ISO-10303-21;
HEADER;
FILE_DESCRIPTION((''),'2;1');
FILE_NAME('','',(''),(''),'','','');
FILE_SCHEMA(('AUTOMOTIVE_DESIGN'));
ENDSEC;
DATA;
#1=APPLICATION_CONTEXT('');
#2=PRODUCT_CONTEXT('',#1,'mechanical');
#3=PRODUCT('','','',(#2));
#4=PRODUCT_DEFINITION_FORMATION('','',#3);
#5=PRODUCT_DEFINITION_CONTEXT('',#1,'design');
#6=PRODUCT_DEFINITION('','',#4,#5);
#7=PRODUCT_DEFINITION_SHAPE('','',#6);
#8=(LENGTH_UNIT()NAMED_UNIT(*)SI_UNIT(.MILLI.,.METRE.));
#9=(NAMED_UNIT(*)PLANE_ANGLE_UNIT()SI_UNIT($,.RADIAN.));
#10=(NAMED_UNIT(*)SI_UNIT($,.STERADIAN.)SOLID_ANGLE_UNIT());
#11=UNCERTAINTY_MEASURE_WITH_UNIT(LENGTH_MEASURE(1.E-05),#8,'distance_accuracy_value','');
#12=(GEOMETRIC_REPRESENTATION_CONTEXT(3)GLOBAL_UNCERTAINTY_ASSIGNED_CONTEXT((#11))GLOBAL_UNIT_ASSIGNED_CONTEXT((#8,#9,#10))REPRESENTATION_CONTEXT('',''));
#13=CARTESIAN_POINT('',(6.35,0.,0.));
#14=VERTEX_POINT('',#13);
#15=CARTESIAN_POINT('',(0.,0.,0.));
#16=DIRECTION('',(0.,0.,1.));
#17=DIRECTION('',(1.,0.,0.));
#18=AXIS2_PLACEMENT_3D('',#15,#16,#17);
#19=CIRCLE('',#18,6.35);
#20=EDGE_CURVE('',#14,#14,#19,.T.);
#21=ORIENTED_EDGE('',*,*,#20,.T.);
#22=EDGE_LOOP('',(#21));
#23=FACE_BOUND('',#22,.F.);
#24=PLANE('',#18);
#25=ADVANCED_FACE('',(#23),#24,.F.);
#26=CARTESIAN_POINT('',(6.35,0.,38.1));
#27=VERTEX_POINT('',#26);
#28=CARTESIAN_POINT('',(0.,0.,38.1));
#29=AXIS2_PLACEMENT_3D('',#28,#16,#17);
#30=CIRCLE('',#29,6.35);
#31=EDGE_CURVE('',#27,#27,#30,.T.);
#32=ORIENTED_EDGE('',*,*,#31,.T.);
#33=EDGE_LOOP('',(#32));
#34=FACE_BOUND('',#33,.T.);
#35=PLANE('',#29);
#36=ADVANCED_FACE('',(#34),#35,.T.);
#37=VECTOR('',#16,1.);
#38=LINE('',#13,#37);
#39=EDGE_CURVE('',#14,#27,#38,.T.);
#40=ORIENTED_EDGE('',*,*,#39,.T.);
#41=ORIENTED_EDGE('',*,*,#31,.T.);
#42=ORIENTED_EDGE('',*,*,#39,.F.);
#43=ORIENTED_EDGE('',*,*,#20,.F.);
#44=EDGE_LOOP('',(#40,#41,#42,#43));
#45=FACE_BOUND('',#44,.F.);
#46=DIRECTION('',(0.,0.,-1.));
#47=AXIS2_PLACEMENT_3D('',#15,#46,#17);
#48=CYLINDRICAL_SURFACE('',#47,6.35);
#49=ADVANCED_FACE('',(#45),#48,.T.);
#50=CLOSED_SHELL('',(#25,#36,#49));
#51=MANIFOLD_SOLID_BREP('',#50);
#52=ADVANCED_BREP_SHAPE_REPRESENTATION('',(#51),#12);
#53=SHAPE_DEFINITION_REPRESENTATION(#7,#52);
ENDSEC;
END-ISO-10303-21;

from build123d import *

# Parameters (mm, degrees)
SKETCH_R  = 6.35
PAD_DEPTH = 38.1


with BuildPart() as part:
    # Sketch → Pad (new body)
    with BuildSketch(Plane.XY):
        Circle(SKETCH_R)
    extrude(amount=PAD_DEPTH)


solid = part.part
